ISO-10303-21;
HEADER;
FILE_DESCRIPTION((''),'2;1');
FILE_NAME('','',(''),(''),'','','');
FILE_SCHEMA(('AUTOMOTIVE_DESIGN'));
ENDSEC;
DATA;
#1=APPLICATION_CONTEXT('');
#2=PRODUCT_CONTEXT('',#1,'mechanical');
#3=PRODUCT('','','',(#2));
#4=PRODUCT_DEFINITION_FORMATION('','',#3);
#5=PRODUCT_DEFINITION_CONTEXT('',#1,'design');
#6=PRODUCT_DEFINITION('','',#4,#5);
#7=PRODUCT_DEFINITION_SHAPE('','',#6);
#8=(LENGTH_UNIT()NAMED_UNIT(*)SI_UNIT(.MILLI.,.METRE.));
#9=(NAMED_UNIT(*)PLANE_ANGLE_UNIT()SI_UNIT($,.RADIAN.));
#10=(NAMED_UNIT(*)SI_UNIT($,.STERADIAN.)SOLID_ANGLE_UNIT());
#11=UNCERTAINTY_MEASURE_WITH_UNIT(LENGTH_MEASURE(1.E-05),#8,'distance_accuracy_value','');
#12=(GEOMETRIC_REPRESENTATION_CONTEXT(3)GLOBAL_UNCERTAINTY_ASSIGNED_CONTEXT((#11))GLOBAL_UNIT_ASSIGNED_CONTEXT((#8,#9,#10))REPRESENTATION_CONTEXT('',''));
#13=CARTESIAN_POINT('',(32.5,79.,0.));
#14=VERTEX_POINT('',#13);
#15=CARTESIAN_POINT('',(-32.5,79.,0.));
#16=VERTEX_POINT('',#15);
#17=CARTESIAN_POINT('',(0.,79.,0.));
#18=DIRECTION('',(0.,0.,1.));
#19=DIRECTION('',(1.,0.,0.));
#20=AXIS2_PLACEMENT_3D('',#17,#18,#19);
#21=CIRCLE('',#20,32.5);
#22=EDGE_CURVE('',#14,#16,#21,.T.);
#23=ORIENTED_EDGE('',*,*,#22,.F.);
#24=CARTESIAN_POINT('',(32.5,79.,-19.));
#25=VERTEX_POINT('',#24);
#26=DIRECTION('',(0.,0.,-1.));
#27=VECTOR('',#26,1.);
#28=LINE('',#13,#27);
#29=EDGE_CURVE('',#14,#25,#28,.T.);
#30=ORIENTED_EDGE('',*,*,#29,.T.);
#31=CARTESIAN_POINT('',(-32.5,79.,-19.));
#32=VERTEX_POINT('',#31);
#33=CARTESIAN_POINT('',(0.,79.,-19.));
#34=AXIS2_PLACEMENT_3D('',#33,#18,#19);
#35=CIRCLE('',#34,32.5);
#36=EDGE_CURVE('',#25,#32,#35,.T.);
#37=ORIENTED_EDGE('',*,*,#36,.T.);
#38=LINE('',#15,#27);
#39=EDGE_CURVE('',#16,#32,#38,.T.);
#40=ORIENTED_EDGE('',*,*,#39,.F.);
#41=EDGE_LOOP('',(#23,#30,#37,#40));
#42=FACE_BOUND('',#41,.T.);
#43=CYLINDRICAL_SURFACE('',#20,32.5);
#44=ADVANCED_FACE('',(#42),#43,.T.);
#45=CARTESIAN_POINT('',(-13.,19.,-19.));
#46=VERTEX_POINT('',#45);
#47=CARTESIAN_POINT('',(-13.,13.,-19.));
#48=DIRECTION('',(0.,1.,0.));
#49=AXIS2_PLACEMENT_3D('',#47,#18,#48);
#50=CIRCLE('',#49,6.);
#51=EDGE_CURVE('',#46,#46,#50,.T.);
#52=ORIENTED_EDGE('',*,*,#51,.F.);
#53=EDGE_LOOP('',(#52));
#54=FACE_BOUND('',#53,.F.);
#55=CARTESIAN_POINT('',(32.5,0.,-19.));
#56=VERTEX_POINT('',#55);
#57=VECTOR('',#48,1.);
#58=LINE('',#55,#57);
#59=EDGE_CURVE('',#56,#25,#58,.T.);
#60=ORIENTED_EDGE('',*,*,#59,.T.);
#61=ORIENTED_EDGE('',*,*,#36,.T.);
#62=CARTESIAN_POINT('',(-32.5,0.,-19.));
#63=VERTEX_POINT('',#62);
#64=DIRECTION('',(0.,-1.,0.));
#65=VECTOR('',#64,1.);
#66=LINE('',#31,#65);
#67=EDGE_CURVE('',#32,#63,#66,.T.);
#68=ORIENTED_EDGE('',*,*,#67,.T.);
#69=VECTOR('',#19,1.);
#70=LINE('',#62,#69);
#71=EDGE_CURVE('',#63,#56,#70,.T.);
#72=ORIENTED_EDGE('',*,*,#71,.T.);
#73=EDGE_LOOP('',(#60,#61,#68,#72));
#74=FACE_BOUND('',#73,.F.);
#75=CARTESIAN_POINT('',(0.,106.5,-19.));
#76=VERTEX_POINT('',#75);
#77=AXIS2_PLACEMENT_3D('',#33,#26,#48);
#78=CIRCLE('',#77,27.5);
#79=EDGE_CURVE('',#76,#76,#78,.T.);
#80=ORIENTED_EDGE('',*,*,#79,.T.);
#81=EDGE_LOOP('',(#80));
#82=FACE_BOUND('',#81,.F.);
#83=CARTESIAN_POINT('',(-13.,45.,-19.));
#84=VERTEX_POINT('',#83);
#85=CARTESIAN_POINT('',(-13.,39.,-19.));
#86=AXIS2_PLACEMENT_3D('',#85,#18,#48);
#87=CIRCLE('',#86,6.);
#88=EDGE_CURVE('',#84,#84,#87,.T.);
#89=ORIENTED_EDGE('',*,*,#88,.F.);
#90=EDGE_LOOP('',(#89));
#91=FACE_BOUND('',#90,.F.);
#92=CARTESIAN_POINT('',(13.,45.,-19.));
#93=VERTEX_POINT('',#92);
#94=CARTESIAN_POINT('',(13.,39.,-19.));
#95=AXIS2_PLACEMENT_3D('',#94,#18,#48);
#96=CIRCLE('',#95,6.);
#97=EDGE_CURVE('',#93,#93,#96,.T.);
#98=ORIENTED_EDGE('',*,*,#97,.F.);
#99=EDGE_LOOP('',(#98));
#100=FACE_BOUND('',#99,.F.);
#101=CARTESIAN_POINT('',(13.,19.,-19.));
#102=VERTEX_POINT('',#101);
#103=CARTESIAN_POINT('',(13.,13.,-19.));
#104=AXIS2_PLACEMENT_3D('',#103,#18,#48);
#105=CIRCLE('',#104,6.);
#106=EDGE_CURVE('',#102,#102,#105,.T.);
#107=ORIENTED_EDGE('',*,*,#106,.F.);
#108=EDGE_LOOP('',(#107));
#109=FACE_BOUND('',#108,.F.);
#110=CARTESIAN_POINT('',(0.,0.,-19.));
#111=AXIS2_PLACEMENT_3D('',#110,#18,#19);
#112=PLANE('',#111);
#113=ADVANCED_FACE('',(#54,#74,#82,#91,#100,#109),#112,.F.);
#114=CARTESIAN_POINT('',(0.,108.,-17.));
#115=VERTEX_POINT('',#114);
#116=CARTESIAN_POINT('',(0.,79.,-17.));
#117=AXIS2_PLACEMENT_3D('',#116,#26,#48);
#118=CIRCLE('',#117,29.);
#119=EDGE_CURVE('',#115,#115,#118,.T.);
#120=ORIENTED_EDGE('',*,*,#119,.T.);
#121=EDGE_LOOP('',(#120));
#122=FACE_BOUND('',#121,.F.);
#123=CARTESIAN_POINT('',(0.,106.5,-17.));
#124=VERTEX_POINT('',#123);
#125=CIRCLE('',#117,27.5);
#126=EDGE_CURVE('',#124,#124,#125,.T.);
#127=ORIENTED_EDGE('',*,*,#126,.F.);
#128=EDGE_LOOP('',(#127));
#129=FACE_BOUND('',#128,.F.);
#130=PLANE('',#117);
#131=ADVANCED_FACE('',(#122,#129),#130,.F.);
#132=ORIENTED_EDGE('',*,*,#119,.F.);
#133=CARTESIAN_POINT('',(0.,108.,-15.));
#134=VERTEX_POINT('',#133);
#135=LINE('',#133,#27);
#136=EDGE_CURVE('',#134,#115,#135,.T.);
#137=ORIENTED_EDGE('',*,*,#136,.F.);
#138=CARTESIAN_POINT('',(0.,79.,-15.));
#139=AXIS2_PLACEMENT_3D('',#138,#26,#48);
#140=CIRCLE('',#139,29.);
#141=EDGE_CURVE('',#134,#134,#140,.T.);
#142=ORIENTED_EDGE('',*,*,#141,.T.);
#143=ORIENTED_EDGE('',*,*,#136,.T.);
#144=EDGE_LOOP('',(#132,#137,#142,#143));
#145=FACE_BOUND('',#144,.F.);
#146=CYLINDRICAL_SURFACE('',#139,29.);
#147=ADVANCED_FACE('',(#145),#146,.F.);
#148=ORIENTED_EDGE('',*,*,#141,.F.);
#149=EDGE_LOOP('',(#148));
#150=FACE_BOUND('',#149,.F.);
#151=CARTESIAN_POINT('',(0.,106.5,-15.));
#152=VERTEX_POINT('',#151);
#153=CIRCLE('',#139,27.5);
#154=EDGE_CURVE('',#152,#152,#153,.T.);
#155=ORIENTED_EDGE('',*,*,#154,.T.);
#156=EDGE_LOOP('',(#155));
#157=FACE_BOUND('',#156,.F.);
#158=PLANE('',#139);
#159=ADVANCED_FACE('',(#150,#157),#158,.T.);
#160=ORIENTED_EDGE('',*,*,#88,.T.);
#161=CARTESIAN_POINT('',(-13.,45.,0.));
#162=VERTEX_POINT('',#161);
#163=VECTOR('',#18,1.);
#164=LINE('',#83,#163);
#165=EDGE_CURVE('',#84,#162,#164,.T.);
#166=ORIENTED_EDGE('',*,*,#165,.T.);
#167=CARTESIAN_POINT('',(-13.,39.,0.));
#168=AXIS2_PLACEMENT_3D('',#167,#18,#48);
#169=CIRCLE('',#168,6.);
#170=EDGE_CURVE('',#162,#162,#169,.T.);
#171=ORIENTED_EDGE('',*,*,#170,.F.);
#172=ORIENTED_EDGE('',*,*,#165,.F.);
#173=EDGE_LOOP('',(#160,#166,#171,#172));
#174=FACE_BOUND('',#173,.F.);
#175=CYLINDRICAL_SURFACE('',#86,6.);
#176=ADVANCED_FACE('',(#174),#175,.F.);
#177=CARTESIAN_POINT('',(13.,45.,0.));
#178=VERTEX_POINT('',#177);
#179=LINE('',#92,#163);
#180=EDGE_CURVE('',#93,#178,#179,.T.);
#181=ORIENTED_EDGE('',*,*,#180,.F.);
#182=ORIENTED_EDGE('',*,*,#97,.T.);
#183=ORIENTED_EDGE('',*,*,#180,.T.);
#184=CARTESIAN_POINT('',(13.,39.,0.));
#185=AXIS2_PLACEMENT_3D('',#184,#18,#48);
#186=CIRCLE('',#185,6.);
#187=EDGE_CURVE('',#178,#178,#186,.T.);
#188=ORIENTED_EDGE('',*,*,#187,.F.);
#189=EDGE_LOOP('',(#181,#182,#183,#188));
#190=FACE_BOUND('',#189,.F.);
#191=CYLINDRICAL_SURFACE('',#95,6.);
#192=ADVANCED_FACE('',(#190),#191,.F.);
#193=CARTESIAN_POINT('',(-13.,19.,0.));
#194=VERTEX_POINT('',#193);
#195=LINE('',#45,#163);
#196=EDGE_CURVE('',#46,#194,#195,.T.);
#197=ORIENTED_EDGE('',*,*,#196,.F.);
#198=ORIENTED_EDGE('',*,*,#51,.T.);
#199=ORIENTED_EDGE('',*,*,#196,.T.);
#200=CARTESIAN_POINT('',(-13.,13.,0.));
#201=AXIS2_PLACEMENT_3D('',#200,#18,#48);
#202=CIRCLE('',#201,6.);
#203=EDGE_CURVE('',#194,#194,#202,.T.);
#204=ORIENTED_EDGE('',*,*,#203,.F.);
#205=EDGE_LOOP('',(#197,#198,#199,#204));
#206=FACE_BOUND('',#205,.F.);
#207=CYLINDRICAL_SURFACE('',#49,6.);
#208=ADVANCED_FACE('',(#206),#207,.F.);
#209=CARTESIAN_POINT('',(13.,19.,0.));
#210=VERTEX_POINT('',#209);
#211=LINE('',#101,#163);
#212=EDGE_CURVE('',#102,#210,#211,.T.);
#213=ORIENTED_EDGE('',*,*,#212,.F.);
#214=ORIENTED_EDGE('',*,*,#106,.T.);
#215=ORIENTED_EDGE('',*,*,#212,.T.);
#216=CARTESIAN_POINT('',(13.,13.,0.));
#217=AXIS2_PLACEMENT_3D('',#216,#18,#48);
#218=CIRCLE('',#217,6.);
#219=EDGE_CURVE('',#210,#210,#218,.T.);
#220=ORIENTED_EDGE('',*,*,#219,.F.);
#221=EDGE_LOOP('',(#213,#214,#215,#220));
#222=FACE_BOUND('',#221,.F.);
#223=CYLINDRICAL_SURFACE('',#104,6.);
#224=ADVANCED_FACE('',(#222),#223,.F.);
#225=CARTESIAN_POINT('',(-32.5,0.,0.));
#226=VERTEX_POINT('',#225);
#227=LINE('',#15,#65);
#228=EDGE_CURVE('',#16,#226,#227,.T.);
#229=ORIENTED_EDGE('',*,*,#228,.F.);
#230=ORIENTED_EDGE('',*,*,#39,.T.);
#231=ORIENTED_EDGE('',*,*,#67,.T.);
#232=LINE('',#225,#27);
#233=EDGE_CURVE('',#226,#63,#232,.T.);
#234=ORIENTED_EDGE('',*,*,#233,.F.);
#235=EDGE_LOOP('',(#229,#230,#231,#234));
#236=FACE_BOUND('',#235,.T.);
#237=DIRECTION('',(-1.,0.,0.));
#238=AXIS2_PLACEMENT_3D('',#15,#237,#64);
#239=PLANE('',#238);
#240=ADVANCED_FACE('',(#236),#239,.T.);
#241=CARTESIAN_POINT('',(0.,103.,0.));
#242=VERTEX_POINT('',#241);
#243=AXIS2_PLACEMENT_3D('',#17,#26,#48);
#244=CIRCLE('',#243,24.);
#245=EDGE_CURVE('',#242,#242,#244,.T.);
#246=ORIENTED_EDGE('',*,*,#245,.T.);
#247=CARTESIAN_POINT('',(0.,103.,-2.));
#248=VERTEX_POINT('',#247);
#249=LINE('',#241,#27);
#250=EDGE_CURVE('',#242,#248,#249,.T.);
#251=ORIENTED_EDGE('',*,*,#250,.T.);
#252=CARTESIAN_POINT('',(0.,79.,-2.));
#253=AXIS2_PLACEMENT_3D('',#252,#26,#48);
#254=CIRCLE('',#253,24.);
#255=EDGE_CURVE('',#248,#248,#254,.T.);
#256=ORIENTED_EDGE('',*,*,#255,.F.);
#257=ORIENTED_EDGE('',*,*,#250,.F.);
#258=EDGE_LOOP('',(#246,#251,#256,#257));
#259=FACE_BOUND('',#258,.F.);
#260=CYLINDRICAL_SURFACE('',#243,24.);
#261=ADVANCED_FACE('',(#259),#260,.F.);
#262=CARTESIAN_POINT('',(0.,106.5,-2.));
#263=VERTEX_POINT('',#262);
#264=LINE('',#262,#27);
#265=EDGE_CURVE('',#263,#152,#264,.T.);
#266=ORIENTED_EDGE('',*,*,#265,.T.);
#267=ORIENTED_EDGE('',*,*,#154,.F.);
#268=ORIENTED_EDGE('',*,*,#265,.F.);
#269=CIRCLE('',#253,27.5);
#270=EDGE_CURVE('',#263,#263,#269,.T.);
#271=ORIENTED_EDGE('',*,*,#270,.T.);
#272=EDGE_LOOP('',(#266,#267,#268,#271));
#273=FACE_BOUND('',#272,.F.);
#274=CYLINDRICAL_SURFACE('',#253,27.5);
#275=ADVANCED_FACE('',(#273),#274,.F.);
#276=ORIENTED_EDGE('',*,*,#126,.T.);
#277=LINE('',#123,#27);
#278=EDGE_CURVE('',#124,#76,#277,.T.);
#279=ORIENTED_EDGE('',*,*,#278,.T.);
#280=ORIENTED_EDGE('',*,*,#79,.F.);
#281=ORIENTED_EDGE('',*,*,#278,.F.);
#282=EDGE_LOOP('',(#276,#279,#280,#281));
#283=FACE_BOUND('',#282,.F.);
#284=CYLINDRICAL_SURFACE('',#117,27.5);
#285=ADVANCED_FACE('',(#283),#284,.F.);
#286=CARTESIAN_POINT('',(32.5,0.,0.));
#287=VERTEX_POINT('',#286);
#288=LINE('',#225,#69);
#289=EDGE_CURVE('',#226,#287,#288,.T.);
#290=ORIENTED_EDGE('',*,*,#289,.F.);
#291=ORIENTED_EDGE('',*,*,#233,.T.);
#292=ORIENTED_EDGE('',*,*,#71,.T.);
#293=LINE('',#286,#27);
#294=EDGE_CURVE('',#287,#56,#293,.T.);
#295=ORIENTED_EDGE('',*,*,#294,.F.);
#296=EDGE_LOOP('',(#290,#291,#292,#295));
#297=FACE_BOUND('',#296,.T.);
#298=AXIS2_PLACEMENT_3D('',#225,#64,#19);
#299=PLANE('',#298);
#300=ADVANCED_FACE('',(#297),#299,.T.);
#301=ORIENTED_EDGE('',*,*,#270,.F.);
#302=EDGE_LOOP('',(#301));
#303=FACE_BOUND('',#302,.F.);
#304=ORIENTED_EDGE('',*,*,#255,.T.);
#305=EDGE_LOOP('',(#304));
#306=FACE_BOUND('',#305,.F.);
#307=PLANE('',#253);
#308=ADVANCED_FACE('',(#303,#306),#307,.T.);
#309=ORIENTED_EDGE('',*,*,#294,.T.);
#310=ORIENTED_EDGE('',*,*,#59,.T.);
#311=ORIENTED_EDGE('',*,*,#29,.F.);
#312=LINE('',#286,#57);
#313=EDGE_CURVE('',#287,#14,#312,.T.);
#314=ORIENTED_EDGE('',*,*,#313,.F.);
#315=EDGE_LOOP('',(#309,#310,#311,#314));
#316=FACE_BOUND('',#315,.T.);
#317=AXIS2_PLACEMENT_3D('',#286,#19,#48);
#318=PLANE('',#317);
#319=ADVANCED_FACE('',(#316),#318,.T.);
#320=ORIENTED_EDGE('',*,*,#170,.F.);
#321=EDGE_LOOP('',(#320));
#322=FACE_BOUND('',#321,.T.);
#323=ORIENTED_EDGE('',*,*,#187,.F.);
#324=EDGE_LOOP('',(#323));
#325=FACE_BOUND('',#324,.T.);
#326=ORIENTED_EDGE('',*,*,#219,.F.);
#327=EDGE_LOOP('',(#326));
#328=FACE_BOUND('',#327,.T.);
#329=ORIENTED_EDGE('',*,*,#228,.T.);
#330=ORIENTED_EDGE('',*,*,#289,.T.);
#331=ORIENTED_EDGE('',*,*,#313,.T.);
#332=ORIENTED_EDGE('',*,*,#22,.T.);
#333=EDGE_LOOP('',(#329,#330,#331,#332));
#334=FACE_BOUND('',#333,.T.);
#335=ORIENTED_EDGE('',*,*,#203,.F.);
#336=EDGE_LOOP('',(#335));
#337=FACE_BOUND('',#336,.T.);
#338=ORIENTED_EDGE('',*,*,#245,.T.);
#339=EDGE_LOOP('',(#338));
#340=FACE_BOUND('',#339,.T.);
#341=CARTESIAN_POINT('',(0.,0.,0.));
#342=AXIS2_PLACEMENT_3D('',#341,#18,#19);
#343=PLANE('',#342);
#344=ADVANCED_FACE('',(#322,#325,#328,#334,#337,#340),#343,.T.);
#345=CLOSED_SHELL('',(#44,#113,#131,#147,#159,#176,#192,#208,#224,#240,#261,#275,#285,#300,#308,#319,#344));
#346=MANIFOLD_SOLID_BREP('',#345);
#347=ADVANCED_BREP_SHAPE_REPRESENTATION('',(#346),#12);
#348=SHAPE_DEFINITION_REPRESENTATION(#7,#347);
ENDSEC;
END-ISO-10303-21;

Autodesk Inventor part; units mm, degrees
sketch "Sketch_7" plane through (0, 0, 0) normal (0, 0, 1) x (1, 0, 0)
  line L0 (-32.5, 79) -> (-32.5, 0)
  line L1 (-32.5, 0) -> (32.5, 0)
  line L2 (32.5, 0) -> (32.5, 79)
  arc A0 (32.5, 79) -> (-32.5, 79) centre (0, 79) ccw
extrude "Extrusion1" add sketch "Sketch_7" against normal blind 19
sketch "Sketch_8" plane through (0, 0, 0) normal (1, 0, 0) x (0, 0, -1)
  line L0 (19, 79) -> (2, 79)
  line L1 (2, 79) -> (2, 106.5)
  line L2 (2, 106.5) -> (15, 106.5)
  line L3 (15, 106.5) -> (15, 108)
  line L4 (15, 108) -> (17, 108)
  line L5 (17, 108) -> (17, 106.5)
  line L6 (17, 106.5) -> (19, 106.5)
  line L7 (19, 106.5) -> (19, 79)
  line L8 (19, 79) -> (2, 79)
revolve "Revolution1" cut sketch "Sketch_8" angle 360 about axis through (0, 79, -19) along (0, 0, -1)
sketch "Sketch_1" plane through (0, 0, 0) normal (1, 0, 0) x (0, 0, -1)
  line L0 (19, 79) -> (0, 79)
  line L1 (0, 79) -> (0, 103)
  line L2 (0, 103) -> (19, 103)
  line L3 (19, 103) -> (19, 79)
  line L4 (19, 79) -> (0, 79)
revolve "Revolution2" cut sketch "Sketch_1" angle 360 about axis through (0, 79, -19) along (0, 0, -1)
sketch "Sketch4" plane through (0, 0, -19) normal (0, 0, -1) x (-1, 0, 0)
  point P0 (13, 13)
hole "Hole1" at (-13, 13, -19) direction (0, 0, 1) diameter 12 depth 19
pattern_linear "Rectangular Pattern1" count 2 spacing 26 along (1, 0, 0) count 2 spacing 26 along (0, 1, 0) of "Hole1"
ref_plane "to_bearing_XY" through (0, 79, -8.5) normal (0, 0, 1) x (1, 0, 0)
ref_plane "to_bearing_YZ" through (0, 79, -8.5) normal (1, 0, 0) x (0, 1, 0)
ref_plane "to_bearing_ZX" through (0, 79, -8.5) normal (0, 1, 0) x (0, 0, 1)
ref_plane "to_retaining_ring_XY" through (0, 79, -17) normal (0, 0, -1) x (1, 0, 0)
ref_plane "to_retaining_ring_YZ" through (0, 79, -17) normal (1, 0, 0) x (0, -1, 0)
ref_plane "to_retaining_ring_ZX" through (0, 79, -17) normal (0, -1, 0) x (0, 0, -1)
properties part number "SBGSMA6006ZZ-40_h"
